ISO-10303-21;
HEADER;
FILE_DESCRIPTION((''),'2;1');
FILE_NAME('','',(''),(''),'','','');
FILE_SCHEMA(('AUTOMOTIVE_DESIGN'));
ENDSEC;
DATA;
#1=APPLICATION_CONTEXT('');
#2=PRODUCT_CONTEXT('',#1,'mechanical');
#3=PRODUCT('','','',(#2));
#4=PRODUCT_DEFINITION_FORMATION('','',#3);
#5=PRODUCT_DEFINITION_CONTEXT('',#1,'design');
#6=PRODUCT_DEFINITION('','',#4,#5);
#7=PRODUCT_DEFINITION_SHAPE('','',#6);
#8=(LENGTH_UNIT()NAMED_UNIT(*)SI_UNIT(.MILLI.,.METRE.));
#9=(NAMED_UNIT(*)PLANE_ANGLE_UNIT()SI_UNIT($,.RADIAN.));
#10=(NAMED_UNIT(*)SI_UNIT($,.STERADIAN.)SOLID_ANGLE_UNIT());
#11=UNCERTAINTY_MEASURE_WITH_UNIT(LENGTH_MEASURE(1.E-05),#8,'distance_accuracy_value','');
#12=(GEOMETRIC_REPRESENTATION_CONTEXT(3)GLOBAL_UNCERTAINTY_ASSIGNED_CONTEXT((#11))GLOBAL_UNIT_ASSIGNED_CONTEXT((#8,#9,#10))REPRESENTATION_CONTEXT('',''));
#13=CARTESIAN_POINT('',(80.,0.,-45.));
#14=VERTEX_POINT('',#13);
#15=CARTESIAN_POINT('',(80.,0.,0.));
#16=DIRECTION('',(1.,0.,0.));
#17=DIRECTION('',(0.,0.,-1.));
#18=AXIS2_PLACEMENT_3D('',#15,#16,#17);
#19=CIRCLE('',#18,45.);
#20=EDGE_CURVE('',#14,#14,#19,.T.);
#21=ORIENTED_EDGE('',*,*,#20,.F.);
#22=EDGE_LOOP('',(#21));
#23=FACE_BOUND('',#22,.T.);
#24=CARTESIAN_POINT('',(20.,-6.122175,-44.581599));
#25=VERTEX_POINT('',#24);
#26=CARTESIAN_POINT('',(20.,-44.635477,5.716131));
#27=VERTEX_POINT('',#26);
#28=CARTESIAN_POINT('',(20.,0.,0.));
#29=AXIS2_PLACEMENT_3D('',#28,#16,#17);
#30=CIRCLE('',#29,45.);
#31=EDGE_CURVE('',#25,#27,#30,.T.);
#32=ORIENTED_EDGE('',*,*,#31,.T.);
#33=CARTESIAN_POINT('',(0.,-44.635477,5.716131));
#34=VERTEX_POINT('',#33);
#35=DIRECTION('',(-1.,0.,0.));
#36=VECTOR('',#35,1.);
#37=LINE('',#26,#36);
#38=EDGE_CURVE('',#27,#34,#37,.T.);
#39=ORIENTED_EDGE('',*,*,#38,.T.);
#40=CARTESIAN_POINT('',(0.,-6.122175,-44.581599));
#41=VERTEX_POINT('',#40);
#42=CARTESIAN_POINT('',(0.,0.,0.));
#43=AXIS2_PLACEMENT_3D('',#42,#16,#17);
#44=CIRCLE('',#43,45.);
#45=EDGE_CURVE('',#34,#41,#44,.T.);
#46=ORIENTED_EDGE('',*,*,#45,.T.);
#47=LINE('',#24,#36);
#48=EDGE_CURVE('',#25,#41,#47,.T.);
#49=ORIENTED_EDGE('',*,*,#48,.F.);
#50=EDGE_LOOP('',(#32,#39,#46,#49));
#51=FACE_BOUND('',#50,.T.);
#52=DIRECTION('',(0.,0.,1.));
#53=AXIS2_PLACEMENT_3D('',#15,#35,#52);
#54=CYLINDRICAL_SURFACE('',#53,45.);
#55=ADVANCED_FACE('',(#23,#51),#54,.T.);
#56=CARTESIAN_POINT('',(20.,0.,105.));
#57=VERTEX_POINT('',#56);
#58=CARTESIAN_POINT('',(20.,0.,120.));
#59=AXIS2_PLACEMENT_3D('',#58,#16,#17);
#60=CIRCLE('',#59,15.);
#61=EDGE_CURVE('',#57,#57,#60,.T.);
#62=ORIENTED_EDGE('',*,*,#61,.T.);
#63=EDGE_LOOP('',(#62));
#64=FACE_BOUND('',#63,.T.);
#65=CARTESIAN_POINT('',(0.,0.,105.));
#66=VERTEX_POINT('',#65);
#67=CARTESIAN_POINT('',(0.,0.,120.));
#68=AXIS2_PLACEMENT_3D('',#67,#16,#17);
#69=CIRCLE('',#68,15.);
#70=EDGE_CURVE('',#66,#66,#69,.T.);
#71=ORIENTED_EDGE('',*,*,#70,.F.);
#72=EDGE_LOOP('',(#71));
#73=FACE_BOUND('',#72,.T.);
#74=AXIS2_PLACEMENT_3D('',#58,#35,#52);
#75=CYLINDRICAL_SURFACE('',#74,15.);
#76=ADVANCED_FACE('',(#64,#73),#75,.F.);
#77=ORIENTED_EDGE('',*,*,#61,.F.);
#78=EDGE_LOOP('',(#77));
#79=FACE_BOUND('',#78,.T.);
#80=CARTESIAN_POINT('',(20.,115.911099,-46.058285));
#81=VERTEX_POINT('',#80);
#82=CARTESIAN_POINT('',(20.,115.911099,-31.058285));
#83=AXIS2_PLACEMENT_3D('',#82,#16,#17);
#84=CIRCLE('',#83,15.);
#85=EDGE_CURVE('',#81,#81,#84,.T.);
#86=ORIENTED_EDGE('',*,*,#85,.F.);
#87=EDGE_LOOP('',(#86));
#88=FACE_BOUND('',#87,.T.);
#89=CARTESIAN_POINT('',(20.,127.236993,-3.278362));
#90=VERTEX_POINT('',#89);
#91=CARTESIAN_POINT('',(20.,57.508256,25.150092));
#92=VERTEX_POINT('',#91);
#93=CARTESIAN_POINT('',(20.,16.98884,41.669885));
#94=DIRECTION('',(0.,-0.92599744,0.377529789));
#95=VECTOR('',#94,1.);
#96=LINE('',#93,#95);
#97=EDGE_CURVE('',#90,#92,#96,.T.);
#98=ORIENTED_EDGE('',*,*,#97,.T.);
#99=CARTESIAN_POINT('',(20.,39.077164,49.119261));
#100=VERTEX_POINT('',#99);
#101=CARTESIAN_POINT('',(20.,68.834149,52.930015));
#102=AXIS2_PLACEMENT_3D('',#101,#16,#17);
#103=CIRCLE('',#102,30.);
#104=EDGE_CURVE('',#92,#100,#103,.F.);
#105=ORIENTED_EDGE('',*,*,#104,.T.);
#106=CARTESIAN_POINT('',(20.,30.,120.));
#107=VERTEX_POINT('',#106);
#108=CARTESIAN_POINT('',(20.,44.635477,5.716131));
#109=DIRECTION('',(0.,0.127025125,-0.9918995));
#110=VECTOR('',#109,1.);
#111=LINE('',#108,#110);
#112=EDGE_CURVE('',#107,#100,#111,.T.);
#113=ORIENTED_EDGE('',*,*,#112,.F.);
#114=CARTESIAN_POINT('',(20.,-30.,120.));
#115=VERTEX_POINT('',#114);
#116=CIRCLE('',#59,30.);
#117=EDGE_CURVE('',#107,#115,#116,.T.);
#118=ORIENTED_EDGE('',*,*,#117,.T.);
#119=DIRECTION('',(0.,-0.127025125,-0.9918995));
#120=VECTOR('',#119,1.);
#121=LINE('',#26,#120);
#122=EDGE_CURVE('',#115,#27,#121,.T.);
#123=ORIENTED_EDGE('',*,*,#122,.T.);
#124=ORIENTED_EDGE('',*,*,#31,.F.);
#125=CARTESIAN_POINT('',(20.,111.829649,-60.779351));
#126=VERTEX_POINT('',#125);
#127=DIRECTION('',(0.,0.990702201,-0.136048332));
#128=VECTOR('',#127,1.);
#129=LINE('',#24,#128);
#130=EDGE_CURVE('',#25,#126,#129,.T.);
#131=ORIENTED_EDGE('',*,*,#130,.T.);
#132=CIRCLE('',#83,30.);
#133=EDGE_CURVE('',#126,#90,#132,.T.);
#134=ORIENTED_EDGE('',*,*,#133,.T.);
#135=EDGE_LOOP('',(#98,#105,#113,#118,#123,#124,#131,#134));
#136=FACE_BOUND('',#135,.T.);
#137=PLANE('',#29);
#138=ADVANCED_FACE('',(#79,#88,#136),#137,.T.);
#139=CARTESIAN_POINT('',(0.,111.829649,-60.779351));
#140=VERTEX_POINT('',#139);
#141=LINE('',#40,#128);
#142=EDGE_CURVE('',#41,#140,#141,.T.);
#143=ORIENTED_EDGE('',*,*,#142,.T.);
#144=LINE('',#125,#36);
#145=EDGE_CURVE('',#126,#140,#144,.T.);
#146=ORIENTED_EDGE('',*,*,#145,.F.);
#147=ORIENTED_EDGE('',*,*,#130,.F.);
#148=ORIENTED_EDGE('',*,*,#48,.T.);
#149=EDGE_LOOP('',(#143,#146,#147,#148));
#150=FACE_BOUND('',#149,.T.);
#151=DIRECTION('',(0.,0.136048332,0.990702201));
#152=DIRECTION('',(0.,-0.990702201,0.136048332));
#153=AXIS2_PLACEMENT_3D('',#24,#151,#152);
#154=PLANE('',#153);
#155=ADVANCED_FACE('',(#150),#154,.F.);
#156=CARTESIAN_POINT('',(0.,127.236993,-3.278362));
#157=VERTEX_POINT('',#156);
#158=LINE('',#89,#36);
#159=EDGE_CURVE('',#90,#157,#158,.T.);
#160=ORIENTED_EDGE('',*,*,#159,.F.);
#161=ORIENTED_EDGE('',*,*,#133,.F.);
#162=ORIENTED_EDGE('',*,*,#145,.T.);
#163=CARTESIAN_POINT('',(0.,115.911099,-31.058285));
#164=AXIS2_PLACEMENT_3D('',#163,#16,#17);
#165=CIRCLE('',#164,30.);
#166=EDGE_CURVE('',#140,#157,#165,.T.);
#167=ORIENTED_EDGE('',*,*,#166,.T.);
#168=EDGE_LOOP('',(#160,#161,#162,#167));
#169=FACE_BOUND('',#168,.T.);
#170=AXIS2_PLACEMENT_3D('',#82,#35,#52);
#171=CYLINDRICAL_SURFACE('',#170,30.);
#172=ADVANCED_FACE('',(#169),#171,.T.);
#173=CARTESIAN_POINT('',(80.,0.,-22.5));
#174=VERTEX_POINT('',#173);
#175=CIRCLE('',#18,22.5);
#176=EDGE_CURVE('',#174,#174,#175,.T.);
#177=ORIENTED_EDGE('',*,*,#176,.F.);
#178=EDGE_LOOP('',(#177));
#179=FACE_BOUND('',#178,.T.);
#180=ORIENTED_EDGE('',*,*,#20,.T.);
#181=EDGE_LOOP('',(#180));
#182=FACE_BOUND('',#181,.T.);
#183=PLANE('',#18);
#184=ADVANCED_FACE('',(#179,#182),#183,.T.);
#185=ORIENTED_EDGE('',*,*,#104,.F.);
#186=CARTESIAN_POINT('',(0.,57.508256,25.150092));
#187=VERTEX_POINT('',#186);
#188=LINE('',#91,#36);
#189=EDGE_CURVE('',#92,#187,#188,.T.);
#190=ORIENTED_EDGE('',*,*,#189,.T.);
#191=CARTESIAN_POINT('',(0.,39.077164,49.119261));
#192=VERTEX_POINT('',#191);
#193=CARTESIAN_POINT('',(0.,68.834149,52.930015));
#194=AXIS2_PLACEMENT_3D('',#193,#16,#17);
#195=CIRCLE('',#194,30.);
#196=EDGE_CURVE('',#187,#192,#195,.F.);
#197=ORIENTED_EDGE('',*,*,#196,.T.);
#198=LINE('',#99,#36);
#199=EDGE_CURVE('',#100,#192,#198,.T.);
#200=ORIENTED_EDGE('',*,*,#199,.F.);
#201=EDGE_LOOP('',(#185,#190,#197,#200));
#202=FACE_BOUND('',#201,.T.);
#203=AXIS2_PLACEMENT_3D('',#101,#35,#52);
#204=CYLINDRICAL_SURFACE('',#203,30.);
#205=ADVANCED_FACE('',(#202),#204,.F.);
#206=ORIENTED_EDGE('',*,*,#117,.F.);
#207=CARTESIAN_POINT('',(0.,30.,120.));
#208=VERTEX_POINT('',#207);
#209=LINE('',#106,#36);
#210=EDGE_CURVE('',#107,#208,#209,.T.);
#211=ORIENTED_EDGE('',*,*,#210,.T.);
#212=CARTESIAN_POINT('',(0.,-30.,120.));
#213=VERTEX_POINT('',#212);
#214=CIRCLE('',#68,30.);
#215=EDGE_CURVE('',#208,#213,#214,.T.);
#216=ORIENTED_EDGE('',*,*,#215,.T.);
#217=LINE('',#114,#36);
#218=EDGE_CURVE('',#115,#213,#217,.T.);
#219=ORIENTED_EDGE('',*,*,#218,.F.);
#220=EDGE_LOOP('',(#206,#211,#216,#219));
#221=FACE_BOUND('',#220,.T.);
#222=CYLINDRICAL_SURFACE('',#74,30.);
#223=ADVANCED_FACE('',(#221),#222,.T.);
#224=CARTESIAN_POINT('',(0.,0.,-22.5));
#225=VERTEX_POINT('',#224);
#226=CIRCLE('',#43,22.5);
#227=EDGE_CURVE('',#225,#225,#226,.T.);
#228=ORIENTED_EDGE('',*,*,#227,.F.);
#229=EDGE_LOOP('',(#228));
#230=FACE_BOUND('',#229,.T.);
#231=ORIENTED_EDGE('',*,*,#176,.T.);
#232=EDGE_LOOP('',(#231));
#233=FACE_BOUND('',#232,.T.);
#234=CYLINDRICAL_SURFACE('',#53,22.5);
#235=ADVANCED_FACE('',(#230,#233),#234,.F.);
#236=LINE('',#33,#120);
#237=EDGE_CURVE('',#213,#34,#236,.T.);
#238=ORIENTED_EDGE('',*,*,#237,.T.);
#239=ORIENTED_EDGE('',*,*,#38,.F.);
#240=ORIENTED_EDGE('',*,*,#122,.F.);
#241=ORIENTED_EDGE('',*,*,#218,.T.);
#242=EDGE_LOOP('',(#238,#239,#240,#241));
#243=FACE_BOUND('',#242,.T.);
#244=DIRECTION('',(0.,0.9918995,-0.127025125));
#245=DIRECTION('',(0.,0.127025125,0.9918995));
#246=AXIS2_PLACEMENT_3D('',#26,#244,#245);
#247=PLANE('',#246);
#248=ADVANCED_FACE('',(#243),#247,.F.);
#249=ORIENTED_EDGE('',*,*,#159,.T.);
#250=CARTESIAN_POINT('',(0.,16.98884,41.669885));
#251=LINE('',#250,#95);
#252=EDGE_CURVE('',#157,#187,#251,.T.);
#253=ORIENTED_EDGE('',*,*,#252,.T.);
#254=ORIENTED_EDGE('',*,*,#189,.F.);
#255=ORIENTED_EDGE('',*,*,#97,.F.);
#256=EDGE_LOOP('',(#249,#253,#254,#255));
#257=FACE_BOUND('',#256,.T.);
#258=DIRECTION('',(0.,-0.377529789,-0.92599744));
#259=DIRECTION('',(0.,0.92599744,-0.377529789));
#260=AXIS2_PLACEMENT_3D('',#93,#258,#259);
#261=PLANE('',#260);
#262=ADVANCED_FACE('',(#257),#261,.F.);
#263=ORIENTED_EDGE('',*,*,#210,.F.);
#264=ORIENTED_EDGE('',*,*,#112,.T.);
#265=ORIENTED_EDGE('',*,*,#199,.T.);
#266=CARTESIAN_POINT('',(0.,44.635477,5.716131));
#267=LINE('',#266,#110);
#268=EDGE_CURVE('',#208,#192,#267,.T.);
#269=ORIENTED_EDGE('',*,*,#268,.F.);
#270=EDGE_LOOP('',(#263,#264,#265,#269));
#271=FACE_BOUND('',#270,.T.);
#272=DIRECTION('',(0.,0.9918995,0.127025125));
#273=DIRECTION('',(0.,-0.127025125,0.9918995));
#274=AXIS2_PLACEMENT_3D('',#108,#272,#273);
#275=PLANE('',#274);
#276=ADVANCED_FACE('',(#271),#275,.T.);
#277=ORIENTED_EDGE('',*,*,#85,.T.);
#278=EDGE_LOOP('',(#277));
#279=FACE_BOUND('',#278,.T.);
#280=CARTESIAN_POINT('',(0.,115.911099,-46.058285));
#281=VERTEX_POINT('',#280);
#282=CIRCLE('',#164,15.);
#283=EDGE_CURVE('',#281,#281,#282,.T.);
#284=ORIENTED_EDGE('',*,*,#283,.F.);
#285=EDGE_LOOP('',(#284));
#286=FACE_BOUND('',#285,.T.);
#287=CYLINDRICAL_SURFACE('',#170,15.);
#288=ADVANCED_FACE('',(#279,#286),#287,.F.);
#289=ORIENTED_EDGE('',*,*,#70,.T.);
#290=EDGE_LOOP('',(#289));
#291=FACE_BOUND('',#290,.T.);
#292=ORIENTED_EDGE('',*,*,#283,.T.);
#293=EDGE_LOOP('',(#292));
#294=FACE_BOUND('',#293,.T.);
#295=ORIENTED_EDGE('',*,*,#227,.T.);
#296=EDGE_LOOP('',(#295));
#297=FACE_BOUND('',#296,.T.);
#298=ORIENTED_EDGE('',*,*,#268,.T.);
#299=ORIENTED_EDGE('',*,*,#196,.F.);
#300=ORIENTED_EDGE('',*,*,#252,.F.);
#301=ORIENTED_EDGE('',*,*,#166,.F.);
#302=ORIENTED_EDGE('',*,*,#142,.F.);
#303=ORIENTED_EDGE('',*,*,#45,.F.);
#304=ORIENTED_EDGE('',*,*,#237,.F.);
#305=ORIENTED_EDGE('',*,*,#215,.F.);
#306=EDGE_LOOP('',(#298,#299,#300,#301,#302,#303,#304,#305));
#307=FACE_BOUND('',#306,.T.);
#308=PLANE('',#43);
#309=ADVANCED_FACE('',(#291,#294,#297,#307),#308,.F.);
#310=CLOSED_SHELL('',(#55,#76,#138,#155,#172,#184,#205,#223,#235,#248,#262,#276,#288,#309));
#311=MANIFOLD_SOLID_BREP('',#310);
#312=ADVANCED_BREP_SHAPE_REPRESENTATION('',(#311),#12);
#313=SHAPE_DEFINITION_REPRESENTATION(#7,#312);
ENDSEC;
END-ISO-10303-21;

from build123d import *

# Parameters (mm, degrees)
SKETCH1_R           = 15
BOSS_EXTRUDE1_DEPTH = 20
SKETCH1_3_R         = 22.5
BOSS_EXTRUDE2_DEPTH = 80


with BuildPart() as part:
    # Sketch1 → Boss-Extrude1 (new body)
    with BuildSketch(Plane.YZ):
        with BuildLine():
            ThreePointArc((30, 120), (0, 150), (-30, 120))
            Line((-30, 120), (-44.635477489, 5.716130628))
            ThreePointArc((-44.635477489, 5.716130628), (2.863870895, 44.908776909), (45, 0))
            ThreePointArc((45, 0), (29.576190824, -33.915320083), (-6.122174948, -44.581599051))
            Line((-6.122174948, -44.581599051), (111.829649189, -60.779351446))
            ThreePointArc((111.829649189, -60.779351446), (144.888873943, -38.822856765), (127.236992817, -3.278362217))
            Line((127.236992817, -3.278362217), (57.508255637, 25.150091561))
            ThreePointArc((57.508255637, 25.150091561), (45.052202352, 34.642888154), (39.077164307, 49.119261005))
            Line((39.077164307, 49.119261005), (30, 120))
        make_face()
        with Locations((115.911099155, -31.058285412)):
            Circle(SKETCH1_R, mode=Mode.SUBTRACT)
        with Locations((0, 120)):
            Circle(SKETCH1_R, mode=Mode.SUBTRACT)
    extrude(amount=BOSS_EXTRUDE1_DEPTH)

    # Sketch1<3> → Boss-Extrude2 (add)
    with BuildSketch(Plane.YZ):
        with BuildLine():
            ThreePointArc((45, 0), (2.863870895, 44.908776909), (-44.635477489, 5.716130628))
            ThreePointArc((-44.635477489, 5.716130628), (-35.728843011, -27.357810166), (-6.122174948, -44.581599051))
            ThreePointArc((-6.122174948, -44.581599051), (29.576190824, -33.915320083), (45, 0))
        make_face()
        Circle(SKETCH1_3_R, mode=Mode.SUBTRACT)
    extrude(amount=BOSS_EXTRUDE2_DEPTH)


solid = part.part
